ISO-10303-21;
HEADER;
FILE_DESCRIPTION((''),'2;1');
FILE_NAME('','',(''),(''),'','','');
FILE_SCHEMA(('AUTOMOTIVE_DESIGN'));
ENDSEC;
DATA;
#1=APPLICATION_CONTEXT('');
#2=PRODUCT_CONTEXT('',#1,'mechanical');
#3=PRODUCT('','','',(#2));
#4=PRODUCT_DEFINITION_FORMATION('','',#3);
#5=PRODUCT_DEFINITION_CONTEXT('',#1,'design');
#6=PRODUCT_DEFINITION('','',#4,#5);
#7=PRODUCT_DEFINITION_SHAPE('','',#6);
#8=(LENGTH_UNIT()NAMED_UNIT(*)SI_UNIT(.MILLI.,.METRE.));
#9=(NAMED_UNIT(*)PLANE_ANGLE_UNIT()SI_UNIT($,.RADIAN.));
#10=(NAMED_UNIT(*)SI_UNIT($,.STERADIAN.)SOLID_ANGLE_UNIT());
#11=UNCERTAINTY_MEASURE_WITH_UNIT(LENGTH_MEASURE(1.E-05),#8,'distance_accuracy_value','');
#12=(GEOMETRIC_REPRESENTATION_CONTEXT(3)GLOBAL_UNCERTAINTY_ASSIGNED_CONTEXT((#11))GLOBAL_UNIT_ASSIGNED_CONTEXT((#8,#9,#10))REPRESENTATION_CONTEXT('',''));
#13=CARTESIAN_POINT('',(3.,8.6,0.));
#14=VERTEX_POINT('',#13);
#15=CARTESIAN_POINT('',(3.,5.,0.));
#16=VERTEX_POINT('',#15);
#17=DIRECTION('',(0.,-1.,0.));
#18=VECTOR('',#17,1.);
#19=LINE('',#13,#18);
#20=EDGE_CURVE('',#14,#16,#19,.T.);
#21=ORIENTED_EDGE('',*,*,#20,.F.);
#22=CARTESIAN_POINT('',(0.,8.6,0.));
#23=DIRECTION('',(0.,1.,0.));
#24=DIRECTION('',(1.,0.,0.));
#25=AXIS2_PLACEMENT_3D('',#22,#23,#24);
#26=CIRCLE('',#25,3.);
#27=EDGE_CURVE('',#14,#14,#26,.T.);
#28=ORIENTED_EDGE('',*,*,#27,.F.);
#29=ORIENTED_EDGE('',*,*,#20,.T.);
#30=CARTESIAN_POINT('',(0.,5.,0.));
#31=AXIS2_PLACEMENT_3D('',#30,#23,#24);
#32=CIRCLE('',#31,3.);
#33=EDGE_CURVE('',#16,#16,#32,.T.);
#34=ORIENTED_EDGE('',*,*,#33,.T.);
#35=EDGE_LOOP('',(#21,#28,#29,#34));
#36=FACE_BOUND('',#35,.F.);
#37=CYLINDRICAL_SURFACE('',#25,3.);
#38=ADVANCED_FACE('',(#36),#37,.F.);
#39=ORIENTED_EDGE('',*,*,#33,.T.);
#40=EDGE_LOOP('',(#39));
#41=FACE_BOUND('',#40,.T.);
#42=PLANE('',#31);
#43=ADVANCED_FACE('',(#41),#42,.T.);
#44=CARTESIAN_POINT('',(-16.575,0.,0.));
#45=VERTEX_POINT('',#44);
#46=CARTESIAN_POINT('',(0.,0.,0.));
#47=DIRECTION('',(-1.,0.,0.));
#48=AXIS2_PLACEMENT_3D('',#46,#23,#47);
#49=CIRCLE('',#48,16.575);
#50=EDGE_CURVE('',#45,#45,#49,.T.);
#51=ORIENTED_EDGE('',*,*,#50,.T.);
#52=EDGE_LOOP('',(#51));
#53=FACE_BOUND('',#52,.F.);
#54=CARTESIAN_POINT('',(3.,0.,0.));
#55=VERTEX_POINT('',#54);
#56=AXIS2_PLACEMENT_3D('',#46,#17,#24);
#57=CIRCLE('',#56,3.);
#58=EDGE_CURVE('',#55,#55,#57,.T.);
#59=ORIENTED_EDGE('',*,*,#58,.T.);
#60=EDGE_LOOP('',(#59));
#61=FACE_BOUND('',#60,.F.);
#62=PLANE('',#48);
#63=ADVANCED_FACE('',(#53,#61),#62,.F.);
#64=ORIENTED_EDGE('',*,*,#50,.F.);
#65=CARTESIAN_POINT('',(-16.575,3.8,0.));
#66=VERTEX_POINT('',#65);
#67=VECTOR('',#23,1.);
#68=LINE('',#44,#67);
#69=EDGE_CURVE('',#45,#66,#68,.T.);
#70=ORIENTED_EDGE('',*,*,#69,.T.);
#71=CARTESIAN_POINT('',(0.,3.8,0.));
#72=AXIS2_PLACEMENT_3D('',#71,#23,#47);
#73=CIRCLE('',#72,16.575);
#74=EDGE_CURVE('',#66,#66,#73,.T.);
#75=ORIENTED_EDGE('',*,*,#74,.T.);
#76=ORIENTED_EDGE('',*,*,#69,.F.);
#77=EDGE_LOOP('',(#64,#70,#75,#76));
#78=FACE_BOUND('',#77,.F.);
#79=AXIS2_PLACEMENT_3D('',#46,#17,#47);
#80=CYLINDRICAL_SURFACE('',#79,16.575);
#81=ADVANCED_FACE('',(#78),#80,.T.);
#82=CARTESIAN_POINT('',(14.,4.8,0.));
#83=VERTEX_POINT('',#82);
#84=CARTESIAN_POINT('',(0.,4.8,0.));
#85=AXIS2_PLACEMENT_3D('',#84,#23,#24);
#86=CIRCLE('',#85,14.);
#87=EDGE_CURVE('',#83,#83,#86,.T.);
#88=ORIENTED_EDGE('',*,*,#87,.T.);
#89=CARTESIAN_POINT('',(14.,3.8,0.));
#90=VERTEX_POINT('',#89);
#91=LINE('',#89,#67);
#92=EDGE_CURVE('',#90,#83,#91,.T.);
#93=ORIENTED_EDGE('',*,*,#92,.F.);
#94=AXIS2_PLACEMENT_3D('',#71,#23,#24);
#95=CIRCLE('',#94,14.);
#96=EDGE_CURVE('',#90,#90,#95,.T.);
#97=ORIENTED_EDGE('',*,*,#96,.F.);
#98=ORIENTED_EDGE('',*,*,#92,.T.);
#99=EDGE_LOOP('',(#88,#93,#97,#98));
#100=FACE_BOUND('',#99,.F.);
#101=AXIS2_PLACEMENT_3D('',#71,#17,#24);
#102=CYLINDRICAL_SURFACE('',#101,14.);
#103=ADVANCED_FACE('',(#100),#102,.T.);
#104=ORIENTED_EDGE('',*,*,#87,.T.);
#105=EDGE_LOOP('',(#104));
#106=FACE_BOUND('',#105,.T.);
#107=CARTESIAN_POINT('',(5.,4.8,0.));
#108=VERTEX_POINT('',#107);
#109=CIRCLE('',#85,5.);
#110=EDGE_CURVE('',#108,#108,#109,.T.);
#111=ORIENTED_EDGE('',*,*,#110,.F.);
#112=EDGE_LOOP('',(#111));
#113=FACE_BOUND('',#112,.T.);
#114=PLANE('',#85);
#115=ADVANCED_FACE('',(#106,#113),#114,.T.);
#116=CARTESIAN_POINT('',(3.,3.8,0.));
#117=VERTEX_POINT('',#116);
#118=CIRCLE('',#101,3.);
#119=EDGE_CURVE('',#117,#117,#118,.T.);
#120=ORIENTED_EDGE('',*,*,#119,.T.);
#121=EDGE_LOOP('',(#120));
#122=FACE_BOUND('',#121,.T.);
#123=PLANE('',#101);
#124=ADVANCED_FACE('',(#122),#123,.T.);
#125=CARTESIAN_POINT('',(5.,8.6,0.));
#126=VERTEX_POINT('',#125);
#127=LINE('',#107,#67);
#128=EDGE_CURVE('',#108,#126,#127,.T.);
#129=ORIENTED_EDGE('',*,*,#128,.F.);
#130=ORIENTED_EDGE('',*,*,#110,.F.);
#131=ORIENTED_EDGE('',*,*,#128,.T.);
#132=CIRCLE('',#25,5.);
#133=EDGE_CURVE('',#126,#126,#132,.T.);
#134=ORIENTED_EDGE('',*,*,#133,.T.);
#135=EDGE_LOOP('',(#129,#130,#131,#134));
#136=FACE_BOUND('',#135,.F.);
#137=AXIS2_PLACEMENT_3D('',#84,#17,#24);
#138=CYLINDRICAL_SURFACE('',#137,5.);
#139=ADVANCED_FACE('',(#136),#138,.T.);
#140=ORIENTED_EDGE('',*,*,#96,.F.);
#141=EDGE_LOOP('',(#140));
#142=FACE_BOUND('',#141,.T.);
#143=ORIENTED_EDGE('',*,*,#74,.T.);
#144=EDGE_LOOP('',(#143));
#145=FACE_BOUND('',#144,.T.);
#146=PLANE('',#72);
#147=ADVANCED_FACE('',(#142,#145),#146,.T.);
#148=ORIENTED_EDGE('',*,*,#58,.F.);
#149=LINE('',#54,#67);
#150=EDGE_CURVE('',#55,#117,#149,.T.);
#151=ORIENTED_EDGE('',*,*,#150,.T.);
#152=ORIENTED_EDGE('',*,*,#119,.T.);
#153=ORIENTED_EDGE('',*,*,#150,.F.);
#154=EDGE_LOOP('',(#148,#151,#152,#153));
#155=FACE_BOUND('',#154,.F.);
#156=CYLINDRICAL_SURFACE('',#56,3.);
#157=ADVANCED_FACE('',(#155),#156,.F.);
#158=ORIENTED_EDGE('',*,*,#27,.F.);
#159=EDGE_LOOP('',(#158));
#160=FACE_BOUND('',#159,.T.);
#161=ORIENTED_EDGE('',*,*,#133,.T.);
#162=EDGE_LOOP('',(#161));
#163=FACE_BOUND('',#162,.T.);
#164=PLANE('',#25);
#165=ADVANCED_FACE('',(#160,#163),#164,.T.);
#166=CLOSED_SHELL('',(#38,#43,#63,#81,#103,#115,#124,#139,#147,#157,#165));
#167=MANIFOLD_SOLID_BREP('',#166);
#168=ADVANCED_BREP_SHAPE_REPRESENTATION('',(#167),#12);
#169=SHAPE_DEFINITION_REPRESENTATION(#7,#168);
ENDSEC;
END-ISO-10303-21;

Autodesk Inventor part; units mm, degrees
ref_plane "YZ Plane" through (0, 0, 0) normal (1, 0, 0) x (0, 1, 0)
ref_plane "XZ Plane" through (0, 0, 0) normal (0, 1, 0) x (-1, 0, 0)
ref_plane "XY Plane" through (0, 0, 0) normal (0, 0, 1) x (1, 0, 0)
sketch "Sketch1" plane through (0, 0, 0) normal (0, 1, 0) x (-1, 0, 0)
  circle A0 centre (0, 0) radius 16.575
  dimension "d0" = 33.15
extrude "Extrusion1" add sketch "Sketch1" along normal blind 3.8
sketch "Sketch2" plane through (0, 3.8, 0) normal (0, 1, 0) x (1, 0, 0)
  circle A0 centre (0, 0) radius 16.575 projected
  circle A1 centre (0, 0) radius 14
  dimension "d3" = 28
extrude "Extrusion2" add sketch "Sketch2" along normal blind 1 contours A1
sketch "Sketch3" plane through (0, 4.8, 0) normal (0, 1, 0) x (1, 0, 0)
  circle A0 centre (0, 0) radius 14 projected
  circle A1 centre (0, 0) radius 5
  dimension "d6" = 10
extrude "Extrusion3" add sketch "Sketch3" along normal blind 3.8 contours A1
sketch "Sketch4" plane through (0, 8.6, 0) normal (0, 1, 0) x (1, 0, 0)
  circle A0 centre (0, 0) radius 5 projected
  circle A1 centre (0, 0) radius 1.8
  dimension "d9" = 3.6
extrude "Extrusion4" cut sketch "Sketch4" against normal blind 3.6 contours A1
sketch "Sketch5" plane through (0, 8.6, 0) normal (0, 1, 0) x (1, 0, 0)
  circle A0 centre (0, 0) radius 1.8 projected
  circle A1 centre (0, 0) radius 5 projected
  circle A2 centre (0, 0) radius 3
  dimension "d12" = 6
extrude "Extrusion5" cut sketch "Sketch5" against normal blind 3.6 contours A2
sketch "Sketch6" plane through (0, 0, 0) normal (0, -1, 0) x (1, 0, 0)
  circle A0 centre (0, 0) radius 16.575 projected
  circle A1 centre (0, 0) radius 3
  dimension "d15" = 6
extrude "Extrusion6" cut sketch "Sketch6" against normal blind 3.8 contours A1
properties part number "kolecko_servo(3)"
